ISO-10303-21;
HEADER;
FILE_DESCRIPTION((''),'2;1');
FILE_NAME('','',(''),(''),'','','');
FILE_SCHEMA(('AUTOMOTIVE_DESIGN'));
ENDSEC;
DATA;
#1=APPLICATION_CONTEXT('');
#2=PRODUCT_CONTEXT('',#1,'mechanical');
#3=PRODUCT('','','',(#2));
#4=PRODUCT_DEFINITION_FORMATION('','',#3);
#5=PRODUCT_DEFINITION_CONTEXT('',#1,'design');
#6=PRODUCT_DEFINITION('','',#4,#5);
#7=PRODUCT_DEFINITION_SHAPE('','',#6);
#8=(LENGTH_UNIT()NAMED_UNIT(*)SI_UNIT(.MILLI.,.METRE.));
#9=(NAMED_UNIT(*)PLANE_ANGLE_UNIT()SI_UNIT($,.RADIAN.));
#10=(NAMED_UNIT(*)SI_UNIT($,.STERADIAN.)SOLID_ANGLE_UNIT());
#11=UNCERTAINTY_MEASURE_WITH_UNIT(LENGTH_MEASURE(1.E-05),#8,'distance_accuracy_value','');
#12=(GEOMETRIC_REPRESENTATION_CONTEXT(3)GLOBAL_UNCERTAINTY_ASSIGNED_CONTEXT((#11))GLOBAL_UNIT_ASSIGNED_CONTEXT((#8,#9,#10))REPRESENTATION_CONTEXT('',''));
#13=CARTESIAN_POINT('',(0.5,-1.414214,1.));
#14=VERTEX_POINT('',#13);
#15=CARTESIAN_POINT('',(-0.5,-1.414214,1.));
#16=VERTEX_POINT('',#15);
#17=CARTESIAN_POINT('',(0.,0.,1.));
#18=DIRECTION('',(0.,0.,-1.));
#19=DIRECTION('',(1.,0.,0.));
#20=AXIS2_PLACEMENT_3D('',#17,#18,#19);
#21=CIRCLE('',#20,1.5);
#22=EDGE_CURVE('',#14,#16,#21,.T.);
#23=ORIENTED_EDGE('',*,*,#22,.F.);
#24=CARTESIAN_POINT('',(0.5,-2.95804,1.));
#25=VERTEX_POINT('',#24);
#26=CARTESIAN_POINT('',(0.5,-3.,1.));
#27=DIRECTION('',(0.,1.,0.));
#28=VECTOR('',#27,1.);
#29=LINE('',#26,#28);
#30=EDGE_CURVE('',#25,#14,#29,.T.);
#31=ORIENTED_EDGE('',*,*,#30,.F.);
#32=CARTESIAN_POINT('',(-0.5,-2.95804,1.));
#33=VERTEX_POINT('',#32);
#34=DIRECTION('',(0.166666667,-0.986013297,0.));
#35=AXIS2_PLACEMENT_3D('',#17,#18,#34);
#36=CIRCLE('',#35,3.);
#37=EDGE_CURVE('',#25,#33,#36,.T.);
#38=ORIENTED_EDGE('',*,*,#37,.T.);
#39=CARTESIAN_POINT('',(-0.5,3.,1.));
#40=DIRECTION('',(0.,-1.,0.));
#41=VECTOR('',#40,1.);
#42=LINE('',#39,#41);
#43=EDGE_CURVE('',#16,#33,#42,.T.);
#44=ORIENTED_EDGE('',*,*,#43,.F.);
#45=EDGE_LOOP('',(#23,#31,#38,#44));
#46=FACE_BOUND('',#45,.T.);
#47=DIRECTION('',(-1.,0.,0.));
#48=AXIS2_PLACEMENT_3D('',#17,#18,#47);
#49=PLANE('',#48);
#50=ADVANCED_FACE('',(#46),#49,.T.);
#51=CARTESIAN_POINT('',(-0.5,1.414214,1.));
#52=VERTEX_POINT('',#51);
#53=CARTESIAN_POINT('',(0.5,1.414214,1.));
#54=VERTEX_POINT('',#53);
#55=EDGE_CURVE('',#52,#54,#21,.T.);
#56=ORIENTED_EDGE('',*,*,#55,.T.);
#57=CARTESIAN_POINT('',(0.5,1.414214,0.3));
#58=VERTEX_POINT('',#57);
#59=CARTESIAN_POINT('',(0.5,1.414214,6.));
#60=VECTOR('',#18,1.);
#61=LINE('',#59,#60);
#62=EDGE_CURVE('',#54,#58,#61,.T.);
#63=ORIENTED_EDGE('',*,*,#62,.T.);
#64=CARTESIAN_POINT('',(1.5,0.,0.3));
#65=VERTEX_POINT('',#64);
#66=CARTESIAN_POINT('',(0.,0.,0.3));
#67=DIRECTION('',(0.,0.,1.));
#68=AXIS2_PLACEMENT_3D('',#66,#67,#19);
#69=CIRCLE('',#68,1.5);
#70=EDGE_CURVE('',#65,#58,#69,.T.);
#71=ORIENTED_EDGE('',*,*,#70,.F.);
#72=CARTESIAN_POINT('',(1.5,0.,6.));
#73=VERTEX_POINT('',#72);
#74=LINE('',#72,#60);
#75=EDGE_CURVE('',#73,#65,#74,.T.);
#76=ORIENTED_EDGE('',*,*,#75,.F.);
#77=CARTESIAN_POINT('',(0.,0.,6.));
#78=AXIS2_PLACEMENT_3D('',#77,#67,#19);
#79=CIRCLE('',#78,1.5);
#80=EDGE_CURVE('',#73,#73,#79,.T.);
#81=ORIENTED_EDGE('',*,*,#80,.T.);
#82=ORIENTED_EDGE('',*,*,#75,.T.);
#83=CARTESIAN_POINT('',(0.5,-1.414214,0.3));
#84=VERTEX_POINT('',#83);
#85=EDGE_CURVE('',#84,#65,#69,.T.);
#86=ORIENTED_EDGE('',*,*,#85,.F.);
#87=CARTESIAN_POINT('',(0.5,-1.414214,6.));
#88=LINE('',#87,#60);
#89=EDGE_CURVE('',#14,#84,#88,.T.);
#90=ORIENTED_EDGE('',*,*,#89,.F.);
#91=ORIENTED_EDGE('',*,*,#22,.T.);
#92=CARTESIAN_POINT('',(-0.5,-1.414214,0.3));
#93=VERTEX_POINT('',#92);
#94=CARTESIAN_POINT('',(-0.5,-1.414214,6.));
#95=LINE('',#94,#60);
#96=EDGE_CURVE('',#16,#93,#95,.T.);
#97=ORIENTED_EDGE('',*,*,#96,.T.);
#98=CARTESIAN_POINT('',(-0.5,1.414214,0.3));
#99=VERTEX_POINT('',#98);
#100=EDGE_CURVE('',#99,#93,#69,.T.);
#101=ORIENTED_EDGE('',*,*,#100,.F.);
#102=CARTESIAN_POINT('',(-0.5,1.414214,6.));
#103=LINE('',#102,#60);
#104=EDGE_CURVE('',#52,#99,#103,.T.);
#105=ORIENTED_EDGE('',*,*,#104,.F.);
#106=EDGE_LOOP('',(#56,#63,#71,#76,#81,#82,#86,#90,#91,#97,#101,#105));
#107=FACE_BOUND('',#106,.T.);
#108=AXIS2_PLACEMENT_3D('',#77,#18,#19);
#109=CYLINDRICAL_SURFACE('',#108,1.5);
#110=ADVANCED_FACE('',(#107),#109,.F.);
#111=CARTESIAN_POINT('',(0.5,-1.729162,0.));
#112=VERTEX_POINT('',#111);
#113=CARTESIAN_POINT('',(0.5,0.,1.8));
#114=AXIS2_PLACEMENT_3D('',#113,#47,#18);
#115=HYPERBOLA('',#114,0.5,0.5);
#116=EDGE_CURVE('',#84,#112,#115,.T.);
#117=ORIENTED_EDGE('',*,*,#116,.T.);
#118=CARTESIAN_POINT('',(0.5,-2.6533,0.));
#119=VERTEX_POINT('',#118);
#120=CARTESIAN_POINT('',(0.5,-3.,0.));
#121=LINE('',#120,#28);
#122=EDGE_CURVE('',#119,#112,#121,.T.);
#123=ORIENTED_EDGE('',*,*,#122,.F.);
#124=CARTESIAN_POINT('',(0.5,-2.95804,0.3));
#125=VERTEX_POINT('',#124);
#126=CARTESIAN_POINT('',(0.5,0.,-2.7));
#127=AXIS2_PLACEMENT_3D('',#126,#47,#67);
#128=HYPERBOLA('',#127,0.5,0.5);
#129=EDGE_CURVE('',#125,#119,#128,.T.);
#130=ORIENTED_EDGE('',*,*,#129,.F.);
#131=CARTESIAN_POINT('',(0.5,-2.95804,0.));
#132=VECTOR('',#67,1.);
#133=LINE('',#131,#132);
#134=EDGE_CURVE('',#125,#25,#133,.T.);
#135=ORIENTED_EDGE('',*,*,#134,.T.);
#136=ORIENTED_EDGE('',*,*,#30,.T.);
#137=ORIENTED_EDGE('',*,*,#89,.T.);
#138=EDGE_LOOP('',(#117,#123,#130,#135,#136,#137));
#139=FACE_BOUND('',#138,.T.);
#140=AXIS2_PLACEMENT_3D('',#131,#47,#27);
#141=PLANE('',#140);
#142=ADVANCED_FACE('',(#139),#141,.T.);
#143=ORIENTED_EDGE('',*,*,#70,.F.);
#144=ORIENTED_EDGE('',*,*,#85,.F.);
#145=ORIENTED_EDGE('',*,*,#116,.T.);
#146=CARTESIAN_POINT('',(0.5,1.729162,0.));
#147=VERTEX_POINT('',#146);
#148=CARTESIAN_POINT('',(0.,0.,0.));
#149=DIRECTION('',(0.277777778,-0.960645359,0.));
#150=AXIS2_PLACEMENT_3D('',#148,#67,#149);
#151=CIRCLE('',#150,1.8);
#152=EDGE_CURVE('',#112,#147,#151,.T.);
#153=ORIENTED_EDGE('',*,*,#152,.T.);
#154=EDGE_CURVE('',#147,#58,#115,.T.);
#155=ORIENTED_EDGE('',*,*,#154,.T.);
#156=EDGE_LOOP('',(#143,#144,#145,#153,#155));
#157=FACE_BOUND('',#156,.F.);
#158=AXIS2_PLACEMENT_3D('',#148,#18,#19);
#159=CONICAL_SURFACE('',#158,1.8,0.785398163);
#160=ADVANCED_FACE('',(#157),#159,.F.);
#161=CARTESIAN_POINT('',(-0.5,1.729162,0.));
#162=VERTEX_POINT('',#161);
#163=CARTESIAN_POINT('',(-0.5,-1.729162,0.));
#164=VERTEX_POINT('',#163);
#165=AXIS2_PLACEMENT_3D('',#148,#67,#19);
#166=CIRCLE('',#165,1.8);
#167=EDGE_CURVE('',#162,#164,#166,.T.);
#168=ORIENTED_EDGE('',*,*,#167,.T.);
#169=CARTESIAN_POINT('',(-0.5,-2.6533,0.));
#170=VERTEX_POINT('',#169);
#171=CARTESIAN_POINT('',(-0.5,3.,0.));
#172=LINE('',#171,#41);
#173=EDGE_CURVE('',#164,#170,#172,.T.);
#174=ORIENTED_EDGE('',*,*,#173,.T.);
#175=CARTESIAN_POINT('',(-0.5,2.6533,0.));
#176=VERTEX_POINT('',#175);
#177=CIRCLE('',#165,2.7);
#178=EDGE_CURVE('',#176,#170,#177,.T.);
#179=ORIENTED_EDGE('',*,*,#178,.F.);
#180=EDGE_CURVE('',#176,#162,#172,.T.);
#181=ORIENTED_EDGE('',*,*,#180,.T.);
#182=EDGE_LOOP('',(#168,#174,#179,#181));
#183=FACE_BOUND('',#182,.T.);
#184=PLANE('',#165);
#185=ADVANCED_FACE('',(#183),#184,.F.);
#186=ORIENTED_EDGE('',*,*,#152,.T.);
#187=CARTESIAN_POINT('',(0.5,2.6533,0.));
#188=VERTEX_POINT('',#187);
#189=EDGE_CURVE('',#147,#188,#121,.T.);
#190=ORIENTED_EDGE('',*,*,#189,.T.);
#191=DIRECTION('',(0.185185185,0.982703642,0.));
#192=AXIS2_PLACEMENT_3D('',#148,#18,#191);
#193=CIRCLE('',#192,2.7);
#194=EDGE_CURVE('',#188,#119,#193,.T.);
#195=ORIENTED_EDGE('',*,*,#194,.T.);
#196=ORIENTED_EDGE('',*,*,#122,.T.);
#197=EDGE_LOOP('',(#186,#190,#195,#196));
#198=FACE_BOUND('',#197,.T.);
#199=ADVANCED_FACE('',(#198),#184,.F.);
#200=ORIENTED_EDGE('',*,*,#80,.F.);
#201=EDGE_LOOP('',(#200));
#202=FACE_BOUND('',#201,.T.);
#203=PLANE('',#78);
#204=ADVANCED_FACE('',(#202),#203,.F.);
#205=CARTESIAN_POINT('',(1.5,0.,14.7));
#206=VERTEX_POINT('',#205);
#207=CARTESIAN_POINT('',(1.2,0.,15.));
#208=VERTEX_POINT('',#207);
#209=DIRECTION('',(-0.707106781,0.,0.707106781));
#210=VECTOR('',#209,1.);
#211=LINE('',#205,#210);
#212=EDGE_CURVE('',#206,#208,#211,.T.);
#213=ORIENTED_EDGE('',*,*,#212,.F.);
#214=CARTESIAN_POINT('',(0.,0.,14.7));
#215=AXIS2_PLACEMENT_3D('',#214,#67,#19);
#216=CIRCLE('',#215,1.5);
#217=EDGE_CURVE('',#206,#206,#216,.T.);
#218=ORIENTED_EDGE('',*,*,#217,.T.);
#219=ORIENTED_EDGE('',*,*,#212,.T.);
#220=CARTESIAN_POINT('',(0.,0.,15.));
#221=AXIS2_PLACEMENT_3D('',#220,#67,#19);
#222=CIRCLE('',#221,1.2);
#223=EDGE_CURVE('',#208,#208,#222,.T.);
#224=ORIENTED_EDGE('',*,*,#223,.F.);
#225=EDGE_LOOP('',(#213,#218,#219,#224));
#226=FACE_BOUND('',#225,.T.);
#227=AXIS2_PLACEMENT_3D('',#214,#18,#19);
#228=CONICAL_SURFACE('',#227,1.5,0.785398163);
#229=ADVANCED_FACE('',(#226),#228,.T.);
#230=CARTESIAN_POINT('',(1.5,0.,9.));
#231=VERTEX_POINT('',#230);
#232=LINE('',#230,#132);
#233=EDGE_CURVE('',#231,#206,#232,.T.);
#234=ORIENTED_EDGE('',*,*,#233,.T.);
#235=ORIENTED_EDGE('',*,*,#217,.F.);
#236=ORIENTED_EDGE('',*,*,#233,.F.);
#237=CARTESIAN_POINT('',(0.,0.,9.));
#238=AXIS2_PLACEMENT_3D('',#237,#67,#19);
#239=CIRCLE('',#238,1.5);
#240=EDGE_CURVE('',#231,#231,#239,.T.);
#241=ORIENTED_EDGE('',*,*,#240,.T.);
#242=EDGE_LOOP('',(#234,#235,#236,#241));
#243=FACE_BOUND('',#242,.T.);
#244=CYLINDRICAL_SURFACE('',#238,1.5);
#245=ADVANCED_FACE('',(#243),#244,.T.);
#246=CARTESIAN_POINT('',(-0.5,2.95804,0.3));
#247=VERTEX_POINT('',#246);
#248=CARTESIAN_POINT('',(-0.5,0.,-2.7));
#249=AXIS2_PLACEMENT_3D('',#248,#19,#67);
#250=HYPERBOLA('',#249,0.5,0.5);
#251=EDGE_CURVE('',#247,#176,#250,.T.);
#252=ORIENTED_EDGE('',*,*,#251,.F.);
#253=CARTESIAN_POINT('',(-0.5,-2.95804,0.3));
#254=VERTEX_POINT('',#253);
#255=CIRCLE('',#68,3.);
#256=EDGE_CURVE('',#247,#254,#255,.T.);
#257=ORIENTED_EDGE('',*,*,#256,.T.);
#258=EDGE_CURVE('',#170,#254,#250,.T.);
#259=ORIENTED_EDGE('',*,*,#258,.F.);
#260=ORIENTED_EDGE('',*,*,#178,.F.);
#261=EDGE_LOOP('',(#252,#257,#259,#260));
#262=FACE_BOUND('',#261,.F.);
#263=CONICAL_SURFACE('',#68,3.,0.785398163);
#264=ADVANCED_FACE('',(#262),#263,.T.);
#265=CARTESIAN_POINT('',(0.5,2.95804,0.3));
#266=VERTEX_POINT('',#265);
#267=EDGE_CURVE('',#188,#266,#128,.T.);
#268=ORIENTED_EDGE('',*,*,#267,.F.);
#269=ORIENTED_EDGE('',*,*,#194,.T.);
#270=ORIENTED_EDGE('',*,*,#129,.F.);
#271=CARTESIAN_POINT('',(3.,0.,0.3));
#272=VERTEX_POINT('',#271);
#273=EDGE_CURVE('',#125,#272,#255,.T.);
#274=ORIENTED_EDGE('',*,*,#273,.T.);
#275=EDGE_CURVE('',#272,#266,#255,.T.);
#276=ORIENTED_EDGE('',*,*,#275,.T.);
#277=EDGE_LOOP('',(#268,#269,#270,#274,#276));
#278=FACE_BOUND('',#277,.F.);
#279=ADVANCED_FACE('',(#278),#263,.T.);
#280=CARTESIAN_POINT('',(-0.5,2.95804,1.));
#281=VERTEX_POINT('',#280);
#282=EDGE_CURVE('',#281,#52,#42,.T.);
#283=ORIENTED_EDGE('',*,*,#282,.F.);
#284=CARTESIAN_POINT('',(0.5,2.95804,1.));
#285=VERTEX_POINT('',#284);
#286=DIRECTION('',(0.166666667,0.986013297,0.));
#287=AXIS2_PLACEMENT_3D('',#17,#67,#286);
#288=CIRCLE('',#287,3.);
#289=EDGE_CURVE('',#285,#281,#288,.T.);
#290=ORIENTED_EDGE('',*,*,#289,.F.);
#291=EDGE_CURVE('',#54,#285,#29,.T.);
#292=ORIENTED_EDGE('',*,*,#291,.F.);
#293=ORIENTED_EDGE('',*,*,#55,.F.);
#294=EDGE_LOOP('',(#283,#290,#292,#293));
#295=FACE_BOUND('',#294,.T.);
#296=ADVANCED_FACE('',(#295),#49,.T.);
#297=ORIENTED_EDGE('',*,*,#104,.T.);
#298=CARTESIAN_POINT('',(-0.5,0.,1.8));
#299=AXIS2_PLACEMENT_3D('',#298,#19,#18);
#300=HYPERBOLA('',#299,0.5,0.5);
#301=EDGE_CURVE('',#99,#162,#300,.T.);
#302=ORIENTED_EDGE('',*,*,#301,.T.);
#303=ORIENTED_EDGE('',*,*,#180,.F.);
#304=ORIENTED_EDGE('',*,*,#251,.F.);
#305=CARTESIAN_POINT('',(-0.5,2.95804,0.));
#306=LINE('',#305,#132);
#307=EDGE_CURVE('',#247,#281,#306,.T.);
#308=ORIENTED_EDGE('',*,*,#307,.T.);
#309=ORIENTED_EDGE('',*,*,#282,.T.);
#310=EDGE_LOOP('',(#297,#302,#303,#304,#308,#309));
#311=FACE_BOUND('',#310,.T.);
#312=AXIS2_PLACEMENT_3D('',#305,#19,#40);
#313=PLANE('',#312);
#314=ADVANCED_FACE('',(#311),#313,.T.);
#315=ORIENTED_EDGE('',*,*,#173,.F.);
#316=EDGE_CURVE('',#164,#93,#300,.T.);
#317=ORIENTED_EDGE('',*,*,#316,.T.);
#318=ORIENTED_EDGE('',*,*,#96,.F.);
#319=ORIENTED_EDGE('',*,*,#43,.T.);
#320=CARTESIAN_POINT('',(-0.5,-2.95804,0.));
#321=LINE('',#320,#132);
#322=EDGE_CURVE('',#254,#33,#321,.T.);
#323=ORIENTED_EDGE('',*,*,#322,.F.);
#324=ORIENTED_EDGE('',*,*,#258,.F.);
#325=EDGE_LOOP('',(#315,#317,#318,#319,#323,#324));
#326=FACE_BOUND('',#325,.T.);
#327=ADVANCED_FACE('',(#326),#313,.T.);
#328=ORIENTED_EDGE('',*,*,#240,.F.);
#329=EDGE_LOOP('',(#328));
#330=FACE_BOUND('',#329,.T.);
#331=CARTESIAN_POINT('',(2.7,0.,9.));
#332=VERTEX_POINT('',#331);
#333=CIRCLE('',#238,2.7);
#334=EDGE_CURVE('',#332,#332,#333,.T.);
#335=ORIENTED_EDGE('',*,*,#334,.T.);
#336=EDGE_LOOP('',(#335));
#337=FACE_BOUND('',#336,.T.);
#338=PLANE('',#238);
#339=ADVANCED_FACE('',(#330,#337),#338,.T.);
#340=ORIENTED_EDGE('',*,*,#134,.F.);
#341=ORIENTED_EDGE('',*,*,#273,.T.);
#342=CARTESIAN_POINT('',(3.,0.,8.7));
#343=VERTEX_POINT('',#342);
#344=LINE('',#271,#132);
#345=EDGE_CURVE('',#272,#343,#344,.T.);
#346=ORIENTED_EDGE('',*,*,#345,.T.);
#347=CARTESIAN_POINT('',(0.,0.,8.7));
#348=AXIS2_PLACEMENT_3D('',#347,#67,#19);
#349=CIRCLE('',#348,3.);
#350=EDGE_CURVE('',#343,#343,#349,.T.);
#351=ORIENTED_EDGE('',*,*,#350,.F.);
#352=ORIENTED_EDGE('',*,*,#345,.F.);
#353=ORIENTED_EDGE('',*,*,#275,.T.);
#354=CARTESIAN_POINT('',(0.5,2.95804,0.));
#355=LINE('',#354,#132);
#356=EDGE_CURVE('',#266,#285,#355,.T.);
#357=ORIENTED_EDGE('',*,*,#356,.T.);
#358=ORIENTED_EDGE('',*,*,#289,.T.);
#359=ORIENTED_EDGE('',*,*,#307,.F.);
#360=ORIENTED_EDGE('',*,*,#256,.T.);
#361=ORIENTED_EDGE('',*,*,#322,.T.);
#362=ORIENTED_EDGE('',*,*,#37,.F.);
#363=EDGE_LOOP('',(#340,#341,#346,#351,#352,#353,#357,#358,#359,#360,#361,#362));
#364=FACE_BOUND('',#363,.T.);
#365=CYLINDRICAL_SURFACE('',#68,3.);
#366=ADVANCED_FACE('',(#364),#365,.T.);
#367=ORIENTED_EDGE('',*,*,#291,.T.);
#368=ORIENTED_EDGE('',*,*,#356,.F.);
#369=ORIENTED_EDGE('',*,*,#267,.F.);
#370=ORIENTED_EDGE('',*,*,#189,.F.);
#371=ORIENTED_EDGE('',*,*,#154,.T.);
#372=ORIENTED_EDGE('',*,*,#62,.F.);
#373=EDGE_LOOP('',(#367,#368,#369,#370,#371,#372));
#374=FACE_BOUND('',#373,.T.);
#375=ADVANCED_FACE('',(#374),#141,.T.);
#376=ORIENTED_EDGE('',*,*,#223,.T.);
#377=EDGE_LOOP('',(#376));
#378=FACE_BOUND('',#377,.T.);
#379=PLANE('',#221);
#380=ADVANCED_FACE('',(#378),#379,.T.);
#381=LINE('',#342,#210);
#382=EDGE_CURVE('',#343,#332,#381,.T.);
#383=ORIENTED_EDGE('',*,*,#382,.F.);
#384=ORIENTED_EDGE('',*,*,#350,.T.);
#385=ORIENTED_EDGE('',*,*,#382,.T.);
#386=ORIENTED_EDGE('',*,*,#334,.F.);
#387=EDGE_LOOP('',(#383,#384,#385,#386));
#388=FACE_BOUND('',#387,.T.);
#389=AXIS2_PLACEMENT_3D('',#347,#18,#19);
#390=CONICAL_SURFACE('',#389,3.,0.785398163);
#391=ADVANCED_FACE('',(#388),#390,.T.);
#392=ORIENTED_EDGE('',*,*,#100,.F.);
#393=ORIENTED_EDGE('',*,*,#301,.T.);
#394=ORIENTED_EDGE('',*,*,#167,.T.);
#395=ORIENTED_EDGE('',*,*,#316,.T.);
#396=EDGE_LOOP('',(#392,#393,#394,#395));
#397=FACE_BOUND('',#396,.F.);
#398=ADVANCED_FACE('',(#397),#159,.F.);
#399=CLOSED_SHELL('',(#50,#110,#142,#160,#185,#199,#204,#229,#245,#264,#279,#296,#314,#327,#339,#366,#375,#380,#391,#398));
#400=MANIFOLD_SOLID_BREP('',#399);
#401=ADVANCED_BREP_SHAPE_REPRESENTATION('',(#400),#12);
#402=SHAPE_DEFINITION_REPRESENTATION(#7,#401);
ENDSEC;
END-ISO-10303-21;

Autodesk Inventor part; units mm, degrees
ref_plane "YZ Plane" through (0, 0, 0) normal (1, 0, 0) x (0, 1, 0)
ref_plane "XZ Plane" through (0, 0, 0) normal (0, 1, 0) x (-1, 0, 0)
ref_plane "XY Plane" through (0, 0, 0) normal (0, 0, 1) x (1, 0, 0)
sketch "スケッチ1" plane through (0, 0, 0) normal (0, 1, 0) x (-1, 0, 0)
  line L0 (-1.8, 0) -> (-2.7, 0)
  line L1 (-3, 0.3) -> (-3, 8.7)
  line L2 (-2.7, 9) -> (-1.5, 9)
  line L3 (-1.5, 9) -> (-1.5, 14.7)
  line L4 (-1.2, 15) -> (0, 15)
  line L5 (0, 15) -> (0, 6)
  line L6 (0, 6) -> (-1.5, 6)
  line L7 (-1.5, 6) -> (-1.5, 0.3)
  line L8 (-1.5, 14.7) -> (-1.2, 15)
  line L9 (-3, 8.7) -> (-2.7, 9)
  line L10 (-3, 0.3) -> (-2.7, 0)
  line L11 (-1.8, 0) -> (-1.5, 0.3)
  line L12 (0, -3) -> (0, 18) projected
  point P0 (0, 0)
  point P1 (-3, 0)
  point P2 (-3, 9)
  point P3 (-1.5, 15)
  point P4 (-1.5, 0)
  dimension "d0" = 3
  dimension "d1" = 6
  dimension "d2" = 9
  dimension "d3" = 6
  dimension "d4" = 6
  dimension "d5" = 3
  dimension "d6" = 0.3
  dimension "d7" = 0.3
  dimension "d8" = 0.3
  dimension "d9" = 0.3
  dimension "d10" = 0.3
  dimension "d11" = 0.3
  dimension "d12" = 0.3
  dimension "d13" = 0.3
revolve "回転1" add sketch "スケッチ1" angle 360 about axis through (0, 0, -10) along (0, 0, 1)
thread "ねじ1" size "M3x0.5" class "6g" standard "ANSI Metric M Profile" full length
thread "ねじ2" size "M3x0.5" class "6H" standard "ANSI Metric M Profile" full length
sketch "スケッチ2" plane through (0, 0, 0) normal (0, 0, -1) x (-1, 0, 0)
  line L0 (-0.5, 3) -> (0.5, 3)
  line L1 (0.5, 3) -> (0.5, -3)
  line L2 (0.5, -3) -> (-0.5, -3)
  line L3 (-0.5, -3) -> (-0.5, 3)
  line L4 (-0.5, 3) -> (0.5, -3) construction
  line L5 (0.5, 3) -> (-0.5, -3) construction
  circle A0 centre (0, 0) radius 3 projected
  point P0 (0.5, 2.958)
  point P1 (-0.5, 2.958)
  point P2 (-0.5, -2.958)
  point P3 (0.5, -2.958)
  dimension "d19" = 1
extrude "押し出し1" cut sketch "スケッチ2" against normal blind 1 contours A0 L1 L3
equation "\"d7\" = d6"
equation "\"d8\" = d6"
equation "\"d9\" = d8"
equation "\"d10\" = d6"
equation "\"d11\" = d10"
equation "\"d12\" = d6"
equation "\"d13\" = d12"
properties part number "BRU-309S" material "ステンレス鋼 AISI 304"
